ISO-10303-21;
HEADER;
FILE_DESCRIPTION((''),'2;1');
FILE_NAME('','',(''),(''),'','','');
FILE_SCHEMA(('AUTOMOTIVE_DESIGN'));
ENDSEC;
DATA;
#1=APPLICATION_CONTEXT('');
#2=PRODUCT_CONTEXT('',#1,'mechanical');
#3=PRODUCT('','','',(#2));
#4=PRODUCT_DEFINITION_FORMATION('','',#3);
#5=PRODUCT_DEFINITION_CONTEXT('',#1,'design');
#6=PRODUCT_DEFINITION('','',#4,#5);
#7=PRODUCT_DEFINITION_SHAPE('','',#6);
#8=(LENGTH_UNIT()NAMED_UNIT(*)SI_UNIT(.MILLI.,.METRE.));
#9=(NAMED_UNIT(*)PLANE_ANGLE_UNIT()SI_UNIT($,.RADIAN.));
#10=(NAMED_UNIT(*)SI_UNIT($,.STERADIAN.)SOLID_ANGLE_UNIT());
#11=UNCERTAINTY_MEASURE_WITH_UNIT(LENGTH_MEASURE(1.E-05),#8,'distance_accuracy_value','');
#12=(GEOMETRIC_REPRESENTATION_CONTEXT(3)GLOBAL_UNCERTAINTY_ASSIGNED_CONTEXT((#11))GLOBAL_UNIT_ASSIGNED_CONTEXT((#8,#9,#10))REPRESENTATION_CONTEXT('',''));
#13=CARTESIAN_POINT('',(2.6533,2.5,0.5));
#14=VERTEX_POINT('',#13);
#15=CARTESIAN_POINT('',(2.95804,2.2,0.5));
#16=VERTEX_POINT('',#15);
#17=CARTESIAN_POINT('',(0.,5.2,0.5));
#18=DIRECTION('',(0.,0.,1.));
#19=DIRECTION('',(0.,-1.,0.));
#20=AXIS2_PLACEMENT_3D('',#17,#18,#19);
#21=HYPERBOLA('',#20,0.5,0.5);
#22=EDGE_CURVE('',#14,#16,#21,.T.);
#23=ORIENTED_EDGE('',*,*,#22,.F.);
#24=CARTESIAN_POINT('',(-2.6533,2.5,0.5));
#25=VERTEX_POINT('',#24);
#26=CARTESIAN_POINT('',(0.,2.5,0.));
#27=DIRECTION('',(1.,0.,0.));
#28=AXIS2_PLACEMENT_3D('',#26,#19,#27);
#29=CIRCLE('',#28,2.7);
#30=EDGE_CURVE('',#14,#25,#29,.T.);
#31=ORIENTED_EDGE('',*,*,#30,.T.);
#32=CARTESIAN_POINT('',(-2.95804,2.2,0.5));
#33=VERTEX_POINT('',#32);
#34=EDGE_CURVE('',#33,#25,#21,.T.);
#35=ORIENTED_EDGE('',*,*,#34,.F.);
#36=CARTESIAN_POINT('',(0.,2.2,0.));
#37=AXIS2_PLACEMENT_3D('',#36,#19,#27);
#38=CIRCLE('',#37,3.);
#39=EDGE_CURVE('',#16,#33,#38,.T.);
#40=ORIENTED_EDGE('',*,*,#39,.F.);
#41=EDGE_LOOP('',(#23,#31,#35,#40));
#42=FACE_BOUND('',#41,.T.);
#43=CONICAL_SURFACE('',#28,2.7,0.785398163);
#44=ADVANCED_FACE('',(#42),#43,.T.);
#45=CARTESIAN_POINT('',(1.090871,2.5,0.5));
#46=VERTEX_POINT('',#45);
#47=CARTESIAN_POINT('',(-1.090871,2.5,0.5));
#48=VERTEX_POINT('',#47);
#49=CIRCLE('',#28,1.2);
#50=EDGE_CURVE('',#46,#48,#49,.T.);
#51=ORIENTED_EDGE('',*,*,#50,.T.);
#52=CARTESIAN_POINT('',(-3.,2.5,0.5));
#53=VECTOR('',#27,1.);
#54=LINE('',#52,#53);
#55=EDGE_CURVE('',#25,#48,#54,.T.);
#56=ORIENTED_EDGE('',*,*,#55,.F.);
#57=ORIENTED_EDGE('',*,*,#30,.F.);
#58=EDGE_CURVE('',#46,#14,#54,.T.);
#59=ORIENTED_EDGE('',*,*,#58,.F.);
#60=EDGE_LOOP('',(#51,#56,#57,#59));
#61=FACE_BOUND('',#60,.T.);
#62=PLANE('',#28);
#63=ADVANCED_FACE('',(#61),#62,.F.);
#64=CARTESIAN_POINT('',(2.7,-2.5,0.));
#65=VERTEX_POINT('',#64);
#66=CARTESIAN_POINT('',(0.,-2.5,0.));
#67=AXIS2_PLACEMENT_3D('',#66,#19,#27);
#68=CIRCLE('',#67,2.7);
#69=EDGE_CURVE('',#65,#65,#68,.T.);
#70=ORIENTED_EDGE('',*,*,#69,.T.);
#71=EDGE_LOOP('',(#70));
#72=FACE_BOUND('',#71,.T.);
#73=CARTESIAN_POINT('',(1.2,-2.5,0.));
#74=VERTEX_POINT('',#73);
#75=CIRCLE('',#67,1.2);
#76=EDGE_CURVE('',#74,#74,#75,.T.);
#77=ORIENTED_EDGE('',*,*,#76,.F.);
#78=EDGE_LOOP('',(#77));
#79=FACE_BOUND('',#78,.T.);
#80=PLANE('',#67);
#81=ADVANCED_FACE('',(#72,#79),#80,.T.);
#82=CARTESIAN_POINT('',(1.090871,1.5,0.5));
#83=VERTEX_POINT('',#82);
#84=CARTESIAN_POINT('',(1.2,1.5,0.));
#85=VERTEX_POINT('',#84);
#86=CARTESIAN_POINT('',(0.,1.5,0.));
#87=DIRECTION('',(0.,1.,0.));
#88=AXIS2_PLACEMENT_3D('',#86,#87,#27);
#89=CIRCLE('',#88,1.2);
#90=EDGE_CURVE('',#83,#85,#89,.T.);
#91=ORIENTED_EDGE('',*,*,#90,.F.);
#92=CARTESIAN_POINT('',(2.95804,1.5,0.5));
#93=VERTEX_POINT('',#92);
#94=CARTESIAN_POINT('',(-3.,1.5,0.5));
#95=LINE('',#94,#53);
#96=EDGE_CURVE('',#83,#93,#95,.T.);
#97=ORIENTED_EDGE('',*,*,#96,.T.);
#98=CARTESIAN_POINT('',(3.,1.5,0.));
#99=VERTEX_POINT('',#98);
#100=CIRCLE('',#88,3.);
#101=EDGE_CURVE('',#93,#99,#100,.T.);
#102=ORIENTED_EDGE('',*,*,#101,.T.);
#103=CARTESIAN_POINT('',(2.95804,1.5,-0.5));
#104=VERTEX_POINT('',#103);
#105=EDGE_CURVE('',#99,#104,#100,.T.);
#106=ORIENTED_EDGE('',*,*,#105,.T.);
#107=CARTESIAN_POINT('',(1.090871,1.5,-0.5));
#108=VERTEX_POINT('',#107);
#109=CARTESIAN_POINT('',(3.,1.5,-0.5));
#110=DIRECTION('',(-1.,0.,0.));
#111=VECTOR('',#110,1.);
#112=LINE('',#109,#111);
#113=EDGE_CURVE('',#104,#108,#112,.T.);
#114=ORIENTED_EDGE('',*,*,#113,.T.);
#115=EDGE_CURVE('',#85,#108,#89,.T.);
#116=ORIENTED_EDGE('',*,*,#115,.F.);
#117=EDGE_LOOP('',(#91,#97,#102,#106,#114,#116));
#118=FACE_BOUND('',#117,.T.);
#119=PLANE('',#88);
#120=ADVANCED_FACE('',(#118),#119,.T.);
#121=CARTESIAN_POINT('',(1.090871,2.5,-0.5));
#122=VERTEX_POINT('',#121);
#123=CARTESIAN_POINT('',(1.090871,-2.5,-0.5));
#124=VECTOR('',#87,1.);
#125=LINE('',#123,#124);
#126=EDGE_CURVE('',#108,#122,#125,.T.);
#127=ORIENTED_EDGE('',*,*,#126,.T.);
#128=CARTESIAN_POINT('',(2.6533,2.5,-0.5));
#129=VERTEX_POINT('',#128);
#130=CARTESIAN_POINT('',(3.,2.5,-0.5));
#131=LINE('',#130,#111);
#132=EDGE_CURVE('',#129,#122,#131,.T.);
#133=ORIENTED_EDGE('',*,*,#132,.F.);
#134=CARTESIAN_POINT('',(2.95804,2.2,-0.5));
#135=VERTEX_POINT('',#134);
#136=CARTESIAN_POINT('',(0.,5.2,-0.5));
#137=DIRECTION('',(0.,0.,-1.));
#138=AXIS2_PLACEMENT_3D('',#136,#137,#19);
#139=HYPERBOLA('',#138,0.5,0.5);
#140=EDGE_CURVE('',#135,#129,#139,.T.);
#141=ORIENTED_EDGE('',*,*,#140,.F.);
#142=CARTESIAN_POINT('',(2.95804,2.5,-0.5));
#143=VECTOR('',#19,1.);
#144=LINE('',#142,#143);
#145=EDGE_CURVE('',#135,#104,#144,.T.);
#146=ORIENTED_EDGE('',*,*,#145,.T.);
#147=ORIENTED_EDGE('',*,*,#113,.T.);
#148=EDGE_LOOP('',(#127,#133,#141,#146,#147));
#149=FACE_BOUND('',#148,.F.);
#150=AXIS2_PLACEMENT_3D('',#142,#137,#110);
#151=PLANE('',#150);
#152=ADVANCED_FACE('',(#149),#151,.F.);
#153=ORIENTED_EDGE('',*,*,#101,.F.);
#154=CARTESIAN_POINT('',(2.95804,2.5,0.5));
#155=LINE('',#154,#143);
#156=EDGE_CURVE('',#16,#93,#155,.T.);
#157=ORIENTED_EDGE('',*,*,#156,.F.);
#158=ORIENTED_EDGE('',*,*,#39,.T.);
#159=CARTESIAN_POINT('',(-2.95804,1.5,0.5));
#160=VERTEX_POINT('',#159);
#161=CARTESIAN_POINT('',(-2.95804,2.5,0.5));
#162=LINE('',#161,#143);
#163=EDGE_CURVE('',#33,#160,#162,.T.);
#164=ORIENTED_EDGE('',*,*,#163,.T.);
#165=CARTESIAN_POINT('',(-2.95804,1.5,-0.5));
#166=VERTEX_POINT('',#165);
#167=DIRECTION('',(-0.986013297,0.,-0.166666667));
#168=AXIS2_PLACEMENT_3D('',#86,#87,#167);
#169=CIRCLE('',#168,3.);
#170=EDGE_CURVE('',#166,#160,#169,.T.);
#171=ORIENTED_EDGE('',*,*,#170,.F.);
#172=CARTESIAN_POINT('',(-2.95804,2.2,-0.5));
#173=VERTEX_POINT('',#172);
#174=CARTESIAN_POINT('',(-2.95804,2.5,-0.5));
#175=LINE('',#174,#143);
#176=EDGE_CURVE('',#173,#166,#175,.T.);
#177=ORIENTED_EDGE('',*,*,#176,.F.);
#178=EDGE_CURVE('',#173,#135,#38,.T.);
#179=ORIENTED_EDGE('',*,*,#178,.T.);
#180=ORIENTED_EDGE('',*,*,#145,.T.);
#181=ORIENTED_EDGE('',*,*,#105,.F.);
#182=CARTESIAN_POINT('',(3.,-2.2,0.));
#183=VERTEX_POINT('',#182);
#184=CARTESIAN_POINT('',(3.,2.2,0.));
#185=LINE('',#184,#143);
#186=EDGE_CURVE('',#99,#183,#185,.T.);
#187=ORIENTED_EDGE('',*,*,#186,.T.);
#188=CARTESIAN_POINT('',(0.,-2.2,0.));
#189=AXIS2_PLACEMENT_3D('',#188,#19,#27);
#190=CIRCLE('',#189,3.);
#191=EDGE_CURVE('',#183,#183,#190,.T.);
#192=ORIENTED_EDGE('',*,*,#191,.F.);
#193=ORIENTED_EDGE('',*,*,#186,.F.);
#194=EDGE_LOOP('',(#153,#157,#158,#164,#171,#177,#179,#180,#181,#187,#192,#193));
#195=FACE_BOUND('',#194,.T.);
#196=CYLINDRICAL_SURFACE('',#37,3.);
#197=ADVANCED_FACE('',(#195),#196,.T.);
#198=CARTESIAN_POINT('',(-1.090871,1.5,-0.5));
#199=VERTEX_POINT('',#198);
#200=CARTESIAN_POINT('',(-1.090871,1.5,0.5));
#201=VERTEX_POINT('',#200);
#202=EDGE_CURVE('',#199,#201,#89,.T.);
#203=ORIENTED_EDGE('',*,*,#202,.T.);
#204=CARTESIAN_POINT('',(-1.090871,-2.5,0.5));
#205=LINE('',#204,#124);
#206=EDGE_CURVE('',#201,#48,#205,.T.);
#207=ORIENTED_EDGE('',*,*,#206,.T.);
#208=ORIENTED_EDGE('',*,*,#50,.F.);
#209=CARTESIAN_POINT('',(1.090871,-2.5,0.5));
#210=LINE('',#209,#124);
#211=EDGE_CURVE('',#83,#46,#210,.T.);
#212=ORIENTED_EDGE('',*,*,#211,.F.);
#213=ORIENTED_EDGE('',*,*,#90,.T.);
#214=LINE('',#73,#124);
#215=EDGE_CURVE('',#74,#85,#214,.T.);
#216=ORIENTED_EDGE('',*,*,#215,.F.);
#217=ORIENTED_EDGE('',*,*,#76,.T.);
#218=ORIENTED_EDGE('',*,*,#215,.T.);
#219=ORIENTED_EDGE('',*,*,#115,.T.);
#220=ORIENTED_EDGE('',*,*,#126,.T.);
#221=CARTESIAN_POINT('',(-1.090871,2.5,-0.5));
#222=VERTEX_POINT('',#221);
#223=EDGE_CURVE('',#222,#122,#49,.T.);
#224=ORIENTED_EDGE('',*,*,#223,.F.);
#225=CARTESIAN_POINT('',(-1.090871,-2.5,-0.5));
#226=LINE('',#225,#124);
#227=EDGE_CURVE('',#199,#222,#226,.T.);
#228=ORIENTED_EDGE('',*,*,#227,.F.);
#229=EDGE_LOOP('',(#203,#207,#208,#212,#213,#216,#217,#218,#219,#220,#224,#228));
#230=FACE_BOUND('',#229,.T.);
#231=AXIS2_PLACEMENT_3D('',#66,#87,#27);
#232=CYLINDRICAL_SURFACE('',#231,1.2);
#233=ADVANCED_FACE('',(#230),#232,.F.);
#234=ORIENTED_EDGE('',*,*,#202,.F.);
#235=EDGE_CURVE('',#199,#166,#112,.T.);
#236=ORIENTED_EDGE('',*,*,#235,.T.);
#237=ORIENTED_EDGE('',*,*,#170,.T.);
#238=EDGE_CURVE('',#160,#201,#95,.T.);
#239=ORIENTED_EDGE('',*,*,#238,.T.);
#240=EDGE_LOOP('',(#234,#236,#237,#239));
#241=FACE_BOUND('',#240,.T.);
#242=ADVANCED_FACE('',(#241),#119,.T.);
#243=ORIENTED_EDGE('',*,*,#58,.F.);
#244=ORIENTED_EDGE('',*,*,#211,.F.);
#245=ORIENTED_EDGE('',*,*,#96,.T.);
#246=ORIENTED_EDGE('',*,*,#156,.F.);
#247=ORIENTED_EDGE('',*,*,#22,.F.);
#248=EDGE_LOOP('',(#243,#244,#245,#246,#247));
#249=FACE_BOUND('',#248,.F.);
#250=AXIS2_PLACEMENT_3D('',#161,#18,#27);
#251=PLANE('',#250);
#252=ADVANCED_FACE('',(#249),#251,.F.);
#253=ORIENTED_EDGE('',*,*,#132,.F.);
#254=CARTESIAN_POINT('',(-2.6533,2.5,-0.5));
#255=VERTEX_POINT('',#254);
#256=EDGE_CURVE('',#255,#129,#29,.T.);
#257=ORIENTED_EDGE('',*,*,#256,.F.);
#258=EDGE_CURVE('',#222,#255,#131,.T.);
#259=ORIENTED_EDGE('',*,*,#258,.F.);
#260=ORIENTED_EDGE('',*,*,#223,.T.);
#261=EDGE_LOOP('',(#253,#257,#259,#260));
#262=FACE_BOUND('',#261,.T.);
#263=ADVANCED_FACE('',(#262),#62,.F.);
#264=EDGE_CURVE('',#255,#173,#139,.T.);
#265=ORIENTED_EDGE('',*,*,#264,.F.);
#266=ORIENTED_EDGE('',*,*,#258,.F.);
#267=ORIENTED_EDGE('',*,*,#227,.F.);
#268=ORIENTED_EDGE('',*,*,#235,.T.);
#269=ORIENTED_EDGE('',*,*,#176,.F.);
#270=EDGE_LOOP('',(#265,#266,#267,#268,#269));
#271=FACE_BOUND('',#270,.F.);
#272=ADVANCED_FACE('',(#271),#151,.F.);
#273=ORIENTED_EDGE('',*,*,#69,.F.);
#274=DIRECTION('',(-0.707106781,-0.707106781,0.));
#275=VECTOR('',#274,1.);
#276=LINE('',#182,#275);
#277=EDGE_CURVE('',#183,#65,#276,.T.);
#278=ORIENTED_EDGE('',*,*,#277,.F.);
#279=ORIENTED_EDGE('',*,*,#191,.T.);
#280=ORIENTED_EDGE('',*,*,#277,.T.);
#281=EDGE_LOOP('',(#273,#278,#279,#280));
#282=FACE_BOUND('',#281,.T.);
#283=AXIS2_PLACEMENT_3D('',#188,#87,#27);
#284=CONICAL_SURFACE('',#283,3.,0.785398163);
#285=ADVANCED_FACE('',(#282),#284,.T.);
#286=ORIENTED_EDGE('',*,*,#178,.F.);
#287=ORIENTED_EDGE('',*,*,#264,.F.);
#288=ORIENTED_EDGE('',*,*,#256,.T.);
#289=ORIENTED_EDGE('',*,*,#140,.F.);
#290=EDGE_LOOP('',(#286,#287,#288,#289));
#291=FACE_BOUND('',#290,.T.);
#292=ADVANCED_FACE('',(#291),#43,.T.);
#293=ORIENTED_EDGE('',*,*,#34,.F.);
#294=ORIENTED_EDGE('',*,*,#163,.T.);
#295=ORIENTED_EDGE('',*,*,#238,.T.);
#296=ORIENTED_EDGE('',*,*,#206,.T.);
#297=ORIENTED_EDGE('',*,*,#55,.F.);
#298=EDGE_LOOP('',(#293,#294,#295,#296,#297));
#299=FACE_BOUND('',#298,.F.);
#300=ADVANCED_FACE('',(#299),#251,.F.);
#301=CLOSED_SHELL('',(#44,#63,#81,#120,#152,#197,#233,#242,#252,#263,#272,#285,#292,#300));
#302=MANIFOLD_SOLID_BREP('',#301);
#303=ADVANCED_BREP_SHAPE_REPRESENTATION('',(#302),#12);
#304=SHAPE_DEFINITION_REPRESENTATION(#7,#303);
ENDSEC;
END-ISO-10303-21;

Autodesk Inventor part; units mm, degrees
ref_plane "YZ Plane" through (0, 0, 0) normal (1, 0, 0) x (0, 1, 0)
ref_plane "XZ Plane" through (0, 0, 0) normal (0, 1, 0) x (-1, 0, 0)
ref_plane "XY Plane" through (0, 0, 0) normal (0, 0, 1) x (1, 0, 0)
sketch "スケッチ1" plane through (0, 0, 0) normal (0, 0, 1) x (1, 0, 0)
  line L0 (1.2, -2.5) -> (1.2, 2.5)
  line L1 (1.2, 2.5) -> (2.7, 2.5)
  line L2 (2.7, 2.5) -> (3, 2.2)
  line L3 (3, 2.2) -> (3, -2.2)
  line L4 (0, 6.4765) -> (0, -6.4765) construction
  line L5 (3, -2.2) -> (2.7, -2.5)
  line L6 (2.7, -2.5) -> (1.2, -2.5)
  point P0 (0, 0)
  point P1 (0, 0)
  point P2 (0, 0)
  point P3 (1.2, 0)
  point P4 (3, 0)
  dimension "d0" = 6
  dimension "d1" = 2.4
  dimension "d2" = 5
  dimension "d3" = 0.3
  dimension "d4" = 0.3
revolve "回転1" add sketch "スケッチ1" angle 360 about axis through (0, 6.4765, 0) along (0, -1, 0)
sketch "スケッチ2" plane through (0, 2.5, 0) normal (0, 1, 0) x (1, 0, 0)
  line L0 (-3, -0.5) -> (3, -0.5)
  line L1 (3, -0.5) -> (3, 0.5)
  line L2 (3, 0.5) -> (-3, 0.5)
  line L3 (-3, 0.5) -> (-3, -0.5)
  line L4 (-3, -0.5) -> (3, 0.5) construction
  line L5 (3, -0.5) -> (-3, 0.5) construction
  circle A0 centre (0, 0) radius 3 projected
  point P0 (0, 0)
  point P1 (2.958, -0.5)
  point P2 (2.958, 0.5)
  point P3 (-2.958, 0.5)
  point P4 (-2.958, -0.5)
  dimension "d6" = 1
extrude "押し出し1" cut sketch "スケッチ2" against normal blind 1 contours A0 L2 L0
equation "\"d4\" = d3"
properties part number "ARU-305S" material "ステンレス鋼 440C"
